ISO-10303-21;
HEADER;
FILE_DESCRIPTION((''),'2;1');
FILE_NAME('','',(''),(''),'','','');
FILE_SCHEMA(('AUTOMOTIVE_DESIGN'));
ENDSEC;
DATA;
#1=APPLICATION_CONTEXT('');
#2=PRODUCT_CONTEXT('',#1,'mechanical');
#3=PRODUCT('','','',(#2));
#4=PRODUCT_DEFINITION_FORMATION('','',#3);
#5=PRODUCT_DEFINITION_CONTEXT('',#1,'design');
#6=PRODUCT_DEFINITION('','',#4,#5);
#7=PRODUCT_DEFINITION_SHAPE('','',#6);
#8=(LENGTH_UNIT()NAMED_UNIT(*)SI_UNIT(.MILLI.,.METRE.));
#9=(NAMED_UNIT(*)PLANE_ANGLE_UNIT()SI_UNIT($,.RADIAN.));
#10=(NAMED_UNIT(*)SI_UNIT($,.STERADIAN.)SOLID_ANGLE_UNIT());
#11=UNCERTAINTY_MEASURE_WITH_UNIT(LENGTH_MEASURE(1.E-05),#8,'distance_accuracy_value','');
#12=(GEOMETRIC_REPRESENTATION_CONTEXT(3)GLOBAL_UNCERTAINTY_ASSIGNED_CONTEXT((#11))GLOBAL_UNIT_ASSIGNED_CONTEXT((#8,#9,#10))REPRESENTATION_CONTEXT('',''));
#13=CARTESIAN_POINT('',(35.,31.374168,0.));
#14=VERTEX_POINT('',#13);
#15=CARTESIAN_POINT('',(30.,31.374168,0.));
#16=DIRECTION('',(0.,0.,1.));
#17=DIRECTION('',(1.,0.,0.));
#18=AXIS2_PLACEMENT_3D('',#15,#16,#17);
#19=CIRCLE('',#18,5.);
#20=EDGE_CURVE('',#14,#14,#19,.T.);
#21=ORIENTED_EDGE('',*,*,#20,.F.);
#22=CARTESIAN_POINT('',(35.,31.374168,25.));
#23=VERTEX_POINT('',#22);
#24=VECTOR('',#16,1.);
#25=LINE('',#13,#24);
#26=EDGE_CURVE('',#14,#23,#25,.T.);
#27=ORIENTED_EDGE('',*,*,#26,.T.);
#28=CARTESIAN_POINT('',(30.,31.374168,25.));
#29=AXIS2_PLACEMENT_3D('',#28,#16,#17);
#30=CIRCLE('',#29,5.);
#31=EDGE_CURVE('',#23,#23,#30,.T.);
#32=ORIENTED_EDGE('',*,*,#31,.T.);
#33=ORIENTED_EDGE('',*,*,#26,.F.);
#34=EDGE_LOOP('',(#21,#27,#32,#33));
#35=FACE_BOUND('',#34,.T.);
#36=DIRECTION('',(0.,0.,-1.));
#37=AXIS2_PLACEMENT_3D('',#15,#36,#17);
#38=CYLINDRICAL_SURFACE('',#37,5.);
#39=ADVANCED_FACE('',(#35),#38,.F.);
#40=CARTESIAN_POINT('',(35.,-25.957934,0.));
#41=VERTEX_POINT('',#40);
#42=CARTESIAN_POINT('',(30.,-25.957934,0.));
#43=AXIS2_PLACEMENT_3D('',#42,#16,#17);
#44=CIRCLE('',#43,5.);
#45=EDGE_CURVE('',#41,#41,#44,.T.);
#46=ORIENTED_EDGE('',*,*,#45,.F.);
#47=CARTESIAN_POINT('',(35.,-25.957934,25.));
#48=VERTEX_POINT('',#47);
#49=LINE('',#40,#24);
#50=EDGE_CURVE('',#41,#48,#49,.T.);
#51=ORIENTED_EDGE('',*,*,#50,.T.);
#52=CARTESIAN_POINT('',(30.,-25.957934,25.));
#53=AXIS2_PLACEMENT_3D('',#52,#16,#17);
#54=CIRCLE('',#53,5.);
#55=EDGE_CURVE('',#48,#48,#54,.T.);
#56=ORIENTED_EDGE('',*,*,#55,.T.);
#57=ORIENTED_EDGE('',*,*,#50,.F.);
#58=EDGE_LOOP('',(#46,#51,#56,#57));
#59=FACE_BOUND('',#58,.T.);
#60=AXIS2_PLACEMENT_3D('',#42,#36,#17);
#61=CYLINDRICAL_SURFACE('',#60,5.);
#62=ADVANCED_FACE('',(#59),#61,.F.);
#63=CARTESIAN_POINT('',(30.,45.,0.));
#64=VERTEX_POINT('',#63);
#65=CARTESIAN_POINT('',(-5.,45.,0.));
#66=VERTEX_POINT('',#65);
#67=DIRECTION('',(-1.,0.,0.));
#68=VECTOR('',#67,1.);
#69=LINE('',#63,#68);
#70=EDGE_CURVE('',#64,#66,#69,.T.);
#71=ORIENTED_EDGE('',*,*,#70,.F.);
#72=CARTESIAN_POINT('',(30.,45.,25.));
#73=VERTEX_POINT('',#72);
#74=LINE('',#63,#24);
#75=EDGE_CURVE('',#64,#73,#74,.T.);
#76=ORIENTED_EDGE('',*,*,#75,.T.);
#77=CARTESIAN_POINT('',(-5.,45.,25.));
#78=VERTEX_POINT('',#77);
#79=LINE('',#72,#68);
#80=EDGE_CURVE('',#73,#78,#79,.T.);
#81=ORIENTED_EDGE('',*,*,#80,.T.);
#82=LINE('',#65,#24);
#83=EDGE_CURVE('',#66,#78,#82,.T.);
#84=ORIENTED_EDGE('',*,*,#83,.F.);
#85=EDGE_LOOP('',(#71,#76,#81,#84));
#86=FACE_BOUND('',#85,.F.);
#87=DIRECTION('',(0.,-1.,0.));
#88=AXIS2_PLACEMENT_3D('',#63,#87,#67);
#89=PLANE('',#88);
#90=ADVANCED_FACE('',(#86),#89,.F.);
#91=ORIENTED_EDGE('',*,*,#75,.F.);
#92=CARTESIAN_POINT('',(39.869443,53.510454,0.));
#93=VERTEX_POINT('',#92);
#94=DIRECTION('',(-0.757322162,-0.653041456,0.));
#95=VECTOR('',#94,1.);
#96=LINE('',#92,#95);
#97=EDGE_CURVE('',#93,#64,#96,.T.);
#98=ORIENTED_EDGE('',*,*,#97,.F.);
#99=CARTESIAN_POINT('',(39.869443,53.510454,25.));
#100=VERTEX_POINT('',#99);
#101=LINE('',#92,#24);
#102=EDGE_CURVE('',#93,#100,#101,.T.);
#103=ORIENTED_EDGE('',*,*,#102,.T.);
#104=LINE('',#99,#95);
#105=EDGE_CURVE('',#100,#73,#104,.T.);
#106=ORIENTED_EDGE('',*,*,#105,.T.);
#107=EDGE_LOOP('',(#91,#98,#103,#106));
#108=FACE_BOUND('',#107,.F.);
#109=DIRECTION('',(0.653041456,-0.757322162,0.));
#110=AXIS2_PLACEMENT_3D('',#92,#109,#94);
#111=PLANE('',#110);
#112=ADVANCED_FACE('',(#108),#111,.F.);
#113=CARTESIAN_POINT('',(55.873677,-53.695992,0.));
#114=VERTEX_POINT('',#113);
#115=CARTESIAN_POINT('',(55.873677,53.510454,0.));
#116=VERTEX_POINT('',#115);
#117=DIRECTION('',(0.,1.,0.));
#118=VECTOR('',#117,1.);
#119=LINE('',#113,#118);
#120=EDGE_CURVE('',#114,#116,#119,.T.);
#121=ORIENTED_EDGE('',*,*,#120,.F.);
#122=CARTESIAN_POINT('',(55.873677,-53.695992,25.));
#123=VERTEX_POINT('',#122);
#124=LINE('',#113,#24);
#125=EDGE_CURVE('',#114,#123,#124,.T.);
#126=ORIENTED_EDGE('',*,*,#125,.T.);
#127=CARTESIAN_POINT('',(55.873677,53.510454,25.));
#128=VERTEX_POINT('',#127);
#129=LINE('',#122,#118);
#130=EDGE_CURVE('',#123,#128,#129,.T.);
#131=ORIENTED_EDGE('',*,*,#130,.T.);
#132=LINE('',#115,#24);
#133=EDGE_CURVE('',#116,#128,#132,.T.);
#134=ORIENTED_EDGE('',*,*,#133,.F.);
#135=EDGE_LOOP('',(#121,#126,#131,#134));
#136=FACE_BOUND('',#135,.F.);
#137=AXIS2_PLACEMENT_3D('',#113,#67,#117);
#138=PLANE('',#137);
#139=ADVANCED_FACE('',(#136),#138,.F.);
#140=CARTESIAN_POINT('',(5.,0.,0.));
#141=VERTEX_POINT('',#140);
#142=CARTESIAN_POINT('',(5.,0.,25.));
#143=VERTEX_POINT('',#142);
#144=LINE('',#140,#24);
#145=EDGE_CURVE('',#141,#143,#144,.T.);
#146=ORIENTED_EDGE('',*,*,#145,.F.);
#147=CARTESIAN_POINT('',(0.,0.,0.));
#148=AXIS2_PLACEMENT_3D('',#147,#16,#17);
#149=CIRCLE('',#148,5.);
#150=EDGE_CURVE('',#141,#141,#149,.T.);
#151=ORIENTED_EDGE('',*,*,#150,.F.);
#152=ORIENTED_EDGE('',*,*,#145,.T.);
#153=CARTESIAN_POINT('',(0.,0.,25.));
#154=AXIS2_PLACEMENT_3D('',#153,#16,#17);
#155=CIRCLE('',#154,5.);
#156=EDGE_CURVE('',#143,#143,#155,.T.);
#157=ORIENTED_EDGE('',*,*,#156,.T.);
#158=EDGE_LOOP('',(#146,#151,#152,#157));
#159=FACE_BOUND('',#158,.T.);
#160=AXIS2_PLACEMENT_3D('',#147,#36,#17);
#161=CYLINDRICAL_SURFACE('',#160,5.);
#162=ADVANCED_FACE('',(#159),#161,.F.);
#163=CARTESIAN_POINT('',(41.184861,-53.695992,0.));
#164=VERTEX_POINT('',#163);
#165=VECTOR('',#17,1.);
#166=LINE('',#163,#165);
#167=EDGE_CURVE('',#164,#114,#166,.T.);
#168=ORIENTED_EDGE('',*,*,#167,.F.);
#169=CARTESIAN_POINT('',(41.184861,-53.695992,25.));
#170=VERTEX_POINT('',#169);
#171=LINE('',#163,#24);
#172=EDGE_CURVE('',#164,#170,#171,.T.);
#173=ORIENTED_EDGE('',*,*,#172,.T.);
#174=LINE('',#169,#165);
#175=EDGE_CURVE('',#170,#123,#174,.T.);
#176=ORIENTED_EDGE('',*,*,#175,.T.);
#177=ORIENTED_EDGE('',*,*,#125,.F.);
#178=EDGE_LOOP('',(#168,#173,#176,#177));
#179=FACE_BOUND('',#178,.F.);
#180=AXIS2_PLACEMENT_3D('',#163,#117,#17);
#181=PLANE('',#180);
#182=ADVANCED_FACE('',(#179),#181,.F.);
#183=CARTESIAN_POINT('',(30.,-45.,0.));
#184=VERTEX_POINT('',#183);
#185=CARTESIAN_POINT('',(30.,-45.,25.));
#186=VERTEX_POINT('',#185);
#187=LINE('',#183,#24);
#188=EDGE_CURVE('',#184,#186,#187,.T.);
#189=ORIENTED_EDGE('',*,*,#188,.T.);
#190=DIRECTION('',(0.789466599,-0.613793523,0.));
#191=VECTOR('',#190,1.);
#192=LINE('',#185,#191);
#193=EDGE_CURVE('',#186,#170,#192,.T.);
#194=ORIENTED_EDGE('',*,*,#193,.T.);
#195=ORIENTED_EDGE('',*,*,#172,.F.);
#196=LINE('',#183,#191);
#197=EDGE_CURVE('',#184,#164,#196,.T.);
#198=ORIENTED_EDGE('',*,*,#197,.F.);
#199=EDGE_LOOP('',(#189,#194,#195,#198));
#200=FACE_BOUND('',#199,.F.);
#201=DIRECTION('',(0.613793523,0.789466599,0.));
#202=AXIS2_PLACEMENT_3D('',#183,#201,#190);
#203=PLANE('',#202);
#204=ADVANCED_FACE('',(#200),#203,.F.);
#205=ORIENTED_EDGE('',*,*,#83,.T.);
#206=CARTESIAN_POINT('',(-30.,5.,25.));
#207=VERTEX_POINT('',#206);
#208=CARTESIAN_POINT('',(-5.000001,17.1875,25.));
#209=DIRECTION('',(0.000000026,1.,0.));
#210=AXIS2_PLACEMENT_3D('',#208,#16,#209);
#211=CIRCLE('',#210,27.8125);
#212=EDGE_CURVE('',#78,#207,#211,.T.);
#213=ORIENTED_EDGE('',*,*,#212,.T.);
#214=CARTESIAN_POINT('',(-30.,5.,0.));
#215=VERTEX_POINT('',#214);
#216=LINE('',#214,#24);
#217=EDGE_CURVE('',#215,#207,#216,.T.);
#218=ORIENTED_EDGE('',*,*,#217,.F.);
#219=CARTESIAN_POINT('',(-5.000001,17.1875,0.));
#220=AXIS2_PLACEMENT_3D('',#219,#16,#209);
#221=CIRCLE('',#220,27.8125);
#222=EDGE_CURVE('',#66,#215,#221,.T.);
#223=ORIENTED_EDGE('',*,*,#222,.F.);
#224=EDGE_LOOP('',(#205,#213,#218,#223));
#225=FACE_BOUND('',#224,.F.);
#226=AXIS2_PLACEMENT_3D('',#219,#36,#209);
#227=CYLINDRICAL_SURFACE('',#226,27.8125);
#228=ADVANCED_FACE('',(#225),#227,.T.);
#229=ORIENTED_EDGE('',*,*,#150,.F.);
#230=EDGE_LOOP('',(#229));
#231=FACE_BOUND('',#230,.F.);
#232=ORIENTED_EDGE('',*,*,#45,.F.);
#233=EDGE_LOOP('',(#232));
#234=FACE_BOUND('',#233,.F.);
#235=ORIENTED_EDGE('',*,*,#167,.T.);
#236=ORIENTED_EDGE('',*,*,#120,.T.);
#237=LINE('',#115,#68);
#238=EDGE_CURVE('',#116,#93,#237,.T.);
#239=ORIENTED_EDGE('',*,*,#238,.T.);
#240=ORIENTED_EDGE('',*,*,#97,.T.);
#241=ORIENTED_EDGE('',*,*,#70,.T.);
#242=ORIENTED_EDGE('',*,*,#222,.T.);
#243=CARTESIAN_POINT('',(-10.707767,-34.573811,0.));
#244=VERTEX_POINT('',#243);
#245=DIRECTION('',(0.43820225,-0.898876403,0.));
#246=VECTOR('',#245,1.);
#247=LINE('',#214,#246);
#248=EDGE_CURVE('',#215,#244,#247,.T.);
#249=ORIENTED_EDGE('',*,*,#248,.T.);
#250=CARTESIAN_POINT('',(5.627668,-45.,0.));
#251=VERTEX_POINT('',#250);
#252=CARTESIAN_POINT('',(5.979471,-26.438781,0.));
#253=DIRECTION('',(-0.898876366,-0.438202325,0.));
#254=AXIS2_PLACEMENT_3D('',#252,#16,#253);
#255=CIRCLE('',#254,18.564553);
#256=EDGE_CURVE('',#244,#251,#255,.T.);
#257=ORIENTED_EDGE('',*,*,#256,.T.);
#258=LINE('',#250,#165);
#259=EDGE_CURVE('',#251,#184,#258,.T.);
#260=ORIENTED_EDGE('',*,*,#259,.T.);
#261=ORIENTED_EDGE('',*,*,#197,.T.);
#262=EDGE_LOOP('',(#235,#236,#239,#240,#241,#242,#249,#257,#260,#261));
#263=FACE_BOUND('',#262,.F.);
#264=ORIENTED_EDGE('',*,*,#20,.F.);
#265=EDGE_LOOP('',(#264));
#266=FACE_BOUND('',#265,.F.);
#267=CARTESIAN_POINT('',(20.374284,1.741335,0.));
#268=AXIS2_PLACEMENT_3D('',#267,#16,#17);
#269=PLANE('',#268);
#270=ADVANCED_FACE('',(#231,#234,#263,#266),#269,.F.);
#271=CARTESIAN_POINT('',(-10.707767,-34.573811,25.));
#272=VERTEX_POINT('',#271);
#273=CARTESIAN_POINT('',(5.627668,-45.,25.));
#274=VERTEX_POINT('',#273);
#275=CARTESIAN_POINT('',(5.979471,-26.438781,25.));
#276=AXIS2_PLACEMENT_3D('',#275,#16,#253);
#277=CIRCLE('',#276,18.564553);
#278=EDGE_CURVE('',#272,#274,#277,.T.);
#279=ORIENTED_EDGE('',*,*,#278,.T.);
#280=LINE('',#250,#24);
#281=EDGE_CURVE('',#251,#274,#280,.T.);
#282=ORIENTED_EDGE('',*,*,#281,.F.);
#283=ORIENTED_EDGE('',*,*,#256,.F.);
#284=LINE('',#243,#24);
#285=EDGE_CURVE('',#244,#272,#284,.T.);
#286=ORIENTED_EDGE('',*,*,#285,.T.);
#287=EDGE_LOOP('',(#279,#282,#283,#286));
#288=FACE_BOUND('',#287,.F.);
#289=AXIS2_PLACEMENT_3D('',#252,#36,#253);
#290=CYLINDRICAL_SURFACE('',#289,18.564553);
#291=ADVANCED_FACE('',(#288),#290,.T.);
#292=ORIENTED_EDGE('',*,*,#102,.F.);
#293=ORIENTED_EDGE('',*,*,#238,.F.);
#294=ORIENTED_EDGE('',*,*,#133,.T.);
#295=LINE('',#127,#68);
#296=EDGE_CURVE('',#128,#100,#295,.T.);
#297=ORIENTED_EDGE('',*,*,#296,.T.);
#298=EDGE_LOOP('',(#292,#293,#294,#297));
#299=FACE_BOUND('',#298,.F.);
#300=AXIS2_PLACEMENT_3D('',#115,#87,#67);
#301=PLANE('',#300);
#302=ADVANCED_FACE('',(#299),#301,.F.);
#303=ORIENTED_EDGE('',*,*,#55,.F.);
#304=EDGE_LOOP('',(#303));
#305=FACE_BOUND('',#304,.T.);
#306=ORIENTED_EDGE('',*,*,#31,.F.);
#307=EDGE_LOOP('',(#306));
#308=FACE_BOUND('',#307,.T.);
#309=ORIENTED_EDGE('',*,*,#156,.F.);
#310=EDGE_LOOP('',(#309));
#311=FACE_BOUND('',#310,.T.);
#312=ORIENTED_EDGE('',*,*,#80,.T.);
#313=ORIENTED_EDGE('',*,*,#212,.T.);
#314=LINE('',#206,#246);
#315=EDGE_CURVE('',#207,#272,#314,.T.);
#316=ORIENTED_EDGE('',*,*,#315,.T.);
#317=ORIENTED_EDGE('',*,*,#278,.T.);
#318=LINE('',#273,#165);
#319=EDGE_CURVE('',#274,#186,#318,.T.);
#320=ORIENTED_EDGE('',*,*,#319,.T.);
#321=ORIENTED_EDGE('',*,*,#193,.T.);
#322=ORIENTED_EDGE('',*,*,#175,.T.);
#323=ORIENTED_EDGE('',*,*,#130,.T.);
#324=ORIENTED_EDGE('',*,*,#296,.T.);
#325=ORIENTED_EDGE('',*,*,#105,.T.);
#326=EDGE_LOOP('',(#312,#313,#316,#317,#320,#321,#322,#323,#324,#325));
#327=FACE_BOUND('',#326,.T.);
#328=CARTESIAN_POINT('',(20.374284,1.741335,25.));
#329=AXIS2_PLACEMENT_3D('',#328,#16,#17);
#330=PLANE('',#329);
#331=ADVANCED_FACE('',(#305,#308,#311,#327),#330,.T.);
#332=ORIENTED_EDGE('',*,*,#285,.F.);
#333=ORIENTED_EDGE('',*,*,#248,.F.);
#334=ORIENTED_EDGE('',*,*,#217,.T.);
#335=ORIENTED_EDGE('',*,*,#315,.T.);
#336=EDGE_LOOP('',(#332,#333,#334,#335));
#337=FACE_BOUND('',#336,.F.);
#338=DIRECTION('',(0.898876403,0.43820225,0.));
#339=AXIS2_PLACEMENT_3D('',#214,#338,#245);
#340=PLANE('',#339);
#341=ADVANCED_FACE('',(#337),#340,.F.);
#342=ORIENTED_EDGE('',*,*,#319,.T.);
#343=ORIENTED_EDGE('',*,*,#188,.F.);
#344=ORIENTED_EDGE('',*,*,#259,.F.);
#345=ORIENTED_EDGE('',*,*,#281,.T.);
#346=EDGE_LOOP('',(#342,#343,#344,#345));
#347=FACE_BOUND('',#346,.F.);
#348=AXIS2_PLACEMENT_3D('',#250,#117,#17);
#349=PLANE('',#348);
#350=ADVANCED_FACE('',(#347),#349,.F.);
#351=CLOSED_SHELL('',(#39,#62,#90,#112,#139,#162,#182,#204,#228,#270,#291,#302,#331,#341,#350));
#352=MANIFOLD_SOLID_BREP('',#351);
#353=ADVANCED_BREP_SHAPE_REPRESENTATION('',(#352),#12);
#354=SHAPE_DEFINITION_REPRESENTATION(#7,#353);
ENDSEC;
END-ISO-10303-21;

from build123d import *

# Parameters (mm, degrees)
F0_R     = 5
F1_DEPTH = 25


with BuildPart() as f1:
    # F0 (on Top) → F1 (new body)
    with BuildSketch(Plane.XY):
        with BuildLine():
            Line((39.869443, 53.510454), (30, 45))
            Line((30, 45), (-5, 45))
            ThreePointArc((-5, 45), (-28.584953, 31.928096), (-30, 5))
            Line((-30, 5), (-10.707767, -34.573811))
            ThreePointArc((-10.707767, -34.573811), (-4.008451, -42.087552), (5.627668, -45))
            Line((5.627668, -45), (30, -45))
            Line((30, -45), (41.184861, -53.695992))
            Line((41.184861, -53.695992), (55.873677, -53.695992))
            Line((55.873677, -53.695992), (55.873677, 53.510454))
            Line((55.873677, 53.510454), (39.869443, 53.510454))
        make_face()
        with Locations((30, -25.957934)):
            Circle(F0_R, mode=Mode.SUBTRACT)
        Circle(F0_R, mode=Mode.SUBTRACT)
        with Locations((30, 31.374168)):
            Circle(F0_R, mode=Mode.SUBTRACT)
    extrude(amount=F1_DEPTH)


solid = f1.part
